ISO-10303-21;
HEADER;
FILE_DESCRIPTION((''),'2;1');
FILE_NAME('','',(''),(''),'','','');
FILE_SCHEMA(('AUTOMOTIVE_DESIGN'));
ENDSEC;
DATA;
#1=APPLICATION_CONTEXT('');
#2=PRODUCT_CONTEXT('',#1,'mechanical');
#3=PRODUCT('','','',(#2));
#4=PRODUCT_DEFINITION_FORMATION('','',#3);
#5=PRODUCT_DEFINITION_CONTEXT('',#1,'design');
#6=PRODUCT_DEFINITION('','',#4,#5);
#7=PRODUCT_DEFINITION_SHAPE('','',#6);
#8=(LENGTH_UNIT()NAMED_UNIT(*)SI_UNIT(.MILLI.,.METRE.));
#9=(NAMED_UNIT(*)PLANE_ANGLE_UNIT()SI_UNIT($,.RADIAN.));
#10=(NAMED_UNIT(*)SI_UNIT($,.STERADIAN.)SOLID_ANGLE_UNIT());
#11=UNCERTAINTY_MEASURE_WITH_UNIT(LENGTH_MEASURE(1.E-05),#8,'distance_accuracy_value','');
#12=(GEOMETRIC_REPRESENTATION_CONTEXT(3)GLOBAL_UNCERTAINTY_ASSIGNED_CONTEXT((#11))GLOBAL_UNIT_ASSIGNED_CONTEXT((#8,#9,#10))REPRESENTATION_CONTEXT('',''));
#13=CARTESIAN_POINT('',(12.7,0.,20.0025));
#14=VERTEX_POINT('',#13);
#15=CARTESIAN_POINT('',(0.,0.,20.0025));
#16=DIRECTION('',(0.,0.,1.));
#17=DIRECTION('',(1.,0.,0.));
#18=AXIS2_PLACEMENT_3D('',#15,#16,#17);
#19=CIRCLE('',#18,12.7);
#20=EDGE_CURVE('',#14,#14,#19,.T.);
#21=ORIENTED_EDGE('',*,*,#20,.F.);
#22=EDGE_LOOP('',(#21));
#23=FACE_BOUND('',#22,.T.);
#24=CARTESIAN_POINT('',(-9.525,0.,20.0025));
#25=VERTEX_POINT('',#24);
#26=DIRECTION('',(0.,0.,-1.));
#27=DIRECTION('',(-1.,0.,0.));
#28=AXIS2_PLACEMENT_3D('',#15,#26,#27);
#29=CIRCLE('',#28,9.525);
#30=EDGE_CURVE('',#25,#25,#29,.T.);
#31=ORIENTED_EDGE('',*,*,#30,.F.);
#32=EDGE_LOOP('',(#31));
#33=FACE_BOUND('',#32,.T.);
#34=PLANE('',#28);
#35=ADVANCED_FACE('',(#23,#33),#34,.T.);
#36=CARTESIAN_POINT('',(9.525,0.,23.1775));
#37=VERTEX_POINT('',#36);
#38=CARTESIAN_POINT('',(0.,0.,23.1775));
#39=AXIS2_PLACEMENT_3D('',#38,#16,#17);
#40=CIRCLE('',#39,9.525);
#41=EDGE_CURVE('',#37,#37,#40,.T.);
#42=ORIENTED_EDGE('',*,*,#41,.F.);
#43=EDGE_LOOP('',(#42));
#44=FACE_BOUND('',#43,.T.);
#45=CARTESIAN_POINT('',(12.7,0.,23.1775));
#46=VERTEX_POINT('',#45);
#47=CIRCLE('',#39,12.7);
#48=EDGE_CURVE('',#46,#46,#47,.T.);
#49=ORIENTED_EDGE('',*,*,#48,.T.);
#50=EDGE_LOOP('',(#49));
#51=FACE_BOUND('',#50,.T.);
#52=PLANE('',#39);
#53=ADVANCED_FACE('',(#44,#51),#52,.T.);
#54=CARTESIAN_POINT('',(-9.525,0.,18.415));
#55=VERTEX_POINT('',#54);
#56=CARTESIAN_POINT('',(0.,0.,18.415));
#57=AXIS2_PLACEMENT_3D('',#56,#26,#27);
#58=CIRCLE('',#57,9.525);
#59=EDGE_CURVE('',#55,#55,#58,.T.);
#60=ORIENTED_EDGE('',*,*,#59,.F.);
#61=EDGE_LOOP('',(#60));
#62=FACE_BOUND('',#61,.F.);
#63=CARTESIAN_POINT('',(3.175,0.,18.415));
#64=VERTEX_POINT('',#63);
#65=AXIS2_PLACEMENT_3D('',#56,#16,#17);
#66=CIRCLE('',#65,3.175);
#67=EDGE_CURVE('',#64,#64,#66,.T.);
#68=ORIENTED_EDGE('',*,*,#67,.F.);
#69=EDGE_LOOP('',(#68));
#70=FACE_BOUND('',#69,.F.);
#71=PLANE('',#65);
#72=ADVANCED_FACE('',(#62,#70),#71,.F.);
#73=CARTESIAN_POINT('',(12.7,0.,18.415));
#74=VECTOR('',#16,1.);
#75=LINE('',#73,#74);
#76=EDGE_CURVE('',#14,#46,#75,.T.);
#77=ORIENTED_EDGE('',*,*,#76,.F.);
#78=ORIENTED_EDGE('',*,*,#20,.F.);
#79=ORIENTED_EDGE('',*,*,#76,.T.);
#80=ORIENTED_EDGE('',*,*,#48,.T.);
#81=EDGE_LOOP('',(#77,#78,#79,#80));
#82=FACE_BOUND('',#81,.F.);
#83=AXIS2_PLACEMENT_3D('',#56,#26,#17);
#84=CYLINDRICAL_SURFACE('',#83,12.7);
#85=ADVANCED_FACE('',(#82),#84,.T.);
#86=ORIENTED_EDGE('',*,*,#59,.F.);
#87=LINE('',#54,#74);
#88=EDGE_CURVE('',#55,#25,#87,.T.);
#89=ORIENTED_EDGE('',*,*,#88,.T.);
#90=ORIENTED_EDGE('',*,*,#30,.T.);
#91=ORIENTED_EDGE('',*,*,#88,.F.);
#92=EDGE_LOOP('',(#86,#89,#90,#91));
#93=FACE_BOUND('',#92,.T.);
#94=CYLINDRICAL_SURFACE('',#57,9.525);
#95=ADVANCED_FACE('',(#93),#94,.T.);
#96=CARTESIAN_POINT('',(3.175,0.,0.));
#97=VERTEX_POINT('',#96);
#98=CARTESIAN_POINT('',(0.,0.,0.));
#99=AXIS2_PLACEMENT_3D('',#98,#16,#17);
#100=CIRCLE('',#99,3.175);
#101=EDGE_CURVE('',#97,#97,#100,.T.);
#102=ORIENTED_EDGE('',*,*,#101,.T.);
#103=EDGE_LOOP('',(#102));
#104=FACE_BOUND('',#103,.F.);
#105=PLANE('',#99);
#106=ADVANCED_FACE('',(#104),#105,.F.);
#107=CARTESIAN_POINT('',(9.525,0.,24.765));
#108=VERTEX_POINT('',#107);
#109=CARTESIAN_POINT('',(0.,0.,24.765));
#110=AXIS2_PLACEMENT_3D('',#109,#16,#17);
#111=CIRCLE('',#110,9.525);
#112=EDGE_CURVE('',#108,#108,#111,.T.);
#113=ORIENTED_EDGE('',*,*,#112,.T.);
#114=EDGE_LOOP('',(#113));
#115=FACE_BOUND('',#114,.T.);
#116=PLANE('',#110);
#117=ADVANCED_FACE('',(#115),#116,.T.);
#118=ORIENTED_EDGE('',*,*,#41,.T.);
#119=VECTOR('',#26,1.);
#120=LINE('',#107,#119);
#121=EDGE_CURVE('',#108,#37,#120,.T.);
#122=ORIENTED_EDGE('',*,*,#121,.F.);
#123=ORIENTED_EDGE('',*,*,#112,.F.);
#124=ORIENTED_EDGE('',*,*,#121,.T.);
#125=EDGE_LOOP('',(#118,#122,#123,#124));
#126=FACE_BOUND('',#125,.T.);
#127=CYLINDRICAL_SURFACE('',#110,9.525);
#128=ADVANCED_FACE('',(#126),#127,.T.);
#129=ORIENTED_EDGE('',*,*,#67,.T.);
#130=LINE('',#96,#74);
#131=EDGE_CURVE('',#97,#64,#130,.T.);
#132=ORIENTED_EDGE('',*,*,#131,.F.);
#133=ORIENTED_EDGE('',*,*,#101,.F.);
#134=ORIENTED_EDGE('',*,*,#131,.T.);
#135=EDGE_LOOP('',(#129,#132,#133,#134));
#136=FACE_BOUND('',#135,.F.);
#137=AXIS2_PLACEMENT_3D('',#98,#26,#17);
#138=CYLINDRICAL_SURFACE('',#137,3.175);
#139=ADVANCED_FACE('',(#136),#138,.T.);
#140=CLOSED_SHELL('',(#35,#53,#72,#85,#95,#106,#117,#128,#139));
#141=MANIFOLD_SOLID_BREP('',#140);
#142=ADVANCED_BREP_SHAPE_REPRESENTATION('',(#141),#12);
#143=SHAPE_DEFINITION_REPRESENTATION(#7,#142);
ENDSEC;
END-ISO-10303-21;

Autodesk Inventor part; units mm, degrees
ref_plane "YZ Plane" through (0, 0, 0) normal (1, 0, 0) x (0, 1, 0)
ref_plane "XZ Plane" through (0, 0, 0) normal (0, 1, 0) x (-1, 0, 0)
ref_plane "XY Plane" through (0, 0, 0) normal (0, 0, 1) x (1, 0, 0)
sketch "Sketch1" plane through (0, 0, 0) normal (0, 0, 1) x (1, 0, 0)
  circle A0 centre (0, 0) radius 3.175
  dimension "d0" = 6.35
extrude "Extrusion1" add sketch "Sketch1" along normal blind 18.415
sketch "Sketch2" plane through (0, 0, 18.415) normal (0, 0, 1) x (1, 0, 0)
  circle A0 centre (0, 0) radius 12.7
  dimension "d3" = 25.4
extrude "Extrusion2" add sketch "Sketch2" along normal blind 6.35
sketch "Sketch3" plane through (0, 0, 24.765) normal (0, 0, 1) x (1, 0, 0)
  circle A0 centre (0, 0) radius 9.525
  circle A1 centre (0, 0) radius 12.7 projected
  dimension "d6" = 3.175
extrude "Extrusion3" cut sketch "Sketch3" against normal blind 1.5875
sketch "Sketch4" plane through (0, 0, 18.415) normal (0, 0, -1) x (-1, 0, 0)
  circle A0 centre (0, 0) radius 9.525 projected
  circle A1 centre (0, 0) radius 12.7 projected
  circle A2 centre (0, 0) radius 3.175 projected
extrude "Extrusion4" cut sketch "Sketch4" against normal blind 1.5875 contours A1
properties part number "ScissorLiftSliderWheel"
